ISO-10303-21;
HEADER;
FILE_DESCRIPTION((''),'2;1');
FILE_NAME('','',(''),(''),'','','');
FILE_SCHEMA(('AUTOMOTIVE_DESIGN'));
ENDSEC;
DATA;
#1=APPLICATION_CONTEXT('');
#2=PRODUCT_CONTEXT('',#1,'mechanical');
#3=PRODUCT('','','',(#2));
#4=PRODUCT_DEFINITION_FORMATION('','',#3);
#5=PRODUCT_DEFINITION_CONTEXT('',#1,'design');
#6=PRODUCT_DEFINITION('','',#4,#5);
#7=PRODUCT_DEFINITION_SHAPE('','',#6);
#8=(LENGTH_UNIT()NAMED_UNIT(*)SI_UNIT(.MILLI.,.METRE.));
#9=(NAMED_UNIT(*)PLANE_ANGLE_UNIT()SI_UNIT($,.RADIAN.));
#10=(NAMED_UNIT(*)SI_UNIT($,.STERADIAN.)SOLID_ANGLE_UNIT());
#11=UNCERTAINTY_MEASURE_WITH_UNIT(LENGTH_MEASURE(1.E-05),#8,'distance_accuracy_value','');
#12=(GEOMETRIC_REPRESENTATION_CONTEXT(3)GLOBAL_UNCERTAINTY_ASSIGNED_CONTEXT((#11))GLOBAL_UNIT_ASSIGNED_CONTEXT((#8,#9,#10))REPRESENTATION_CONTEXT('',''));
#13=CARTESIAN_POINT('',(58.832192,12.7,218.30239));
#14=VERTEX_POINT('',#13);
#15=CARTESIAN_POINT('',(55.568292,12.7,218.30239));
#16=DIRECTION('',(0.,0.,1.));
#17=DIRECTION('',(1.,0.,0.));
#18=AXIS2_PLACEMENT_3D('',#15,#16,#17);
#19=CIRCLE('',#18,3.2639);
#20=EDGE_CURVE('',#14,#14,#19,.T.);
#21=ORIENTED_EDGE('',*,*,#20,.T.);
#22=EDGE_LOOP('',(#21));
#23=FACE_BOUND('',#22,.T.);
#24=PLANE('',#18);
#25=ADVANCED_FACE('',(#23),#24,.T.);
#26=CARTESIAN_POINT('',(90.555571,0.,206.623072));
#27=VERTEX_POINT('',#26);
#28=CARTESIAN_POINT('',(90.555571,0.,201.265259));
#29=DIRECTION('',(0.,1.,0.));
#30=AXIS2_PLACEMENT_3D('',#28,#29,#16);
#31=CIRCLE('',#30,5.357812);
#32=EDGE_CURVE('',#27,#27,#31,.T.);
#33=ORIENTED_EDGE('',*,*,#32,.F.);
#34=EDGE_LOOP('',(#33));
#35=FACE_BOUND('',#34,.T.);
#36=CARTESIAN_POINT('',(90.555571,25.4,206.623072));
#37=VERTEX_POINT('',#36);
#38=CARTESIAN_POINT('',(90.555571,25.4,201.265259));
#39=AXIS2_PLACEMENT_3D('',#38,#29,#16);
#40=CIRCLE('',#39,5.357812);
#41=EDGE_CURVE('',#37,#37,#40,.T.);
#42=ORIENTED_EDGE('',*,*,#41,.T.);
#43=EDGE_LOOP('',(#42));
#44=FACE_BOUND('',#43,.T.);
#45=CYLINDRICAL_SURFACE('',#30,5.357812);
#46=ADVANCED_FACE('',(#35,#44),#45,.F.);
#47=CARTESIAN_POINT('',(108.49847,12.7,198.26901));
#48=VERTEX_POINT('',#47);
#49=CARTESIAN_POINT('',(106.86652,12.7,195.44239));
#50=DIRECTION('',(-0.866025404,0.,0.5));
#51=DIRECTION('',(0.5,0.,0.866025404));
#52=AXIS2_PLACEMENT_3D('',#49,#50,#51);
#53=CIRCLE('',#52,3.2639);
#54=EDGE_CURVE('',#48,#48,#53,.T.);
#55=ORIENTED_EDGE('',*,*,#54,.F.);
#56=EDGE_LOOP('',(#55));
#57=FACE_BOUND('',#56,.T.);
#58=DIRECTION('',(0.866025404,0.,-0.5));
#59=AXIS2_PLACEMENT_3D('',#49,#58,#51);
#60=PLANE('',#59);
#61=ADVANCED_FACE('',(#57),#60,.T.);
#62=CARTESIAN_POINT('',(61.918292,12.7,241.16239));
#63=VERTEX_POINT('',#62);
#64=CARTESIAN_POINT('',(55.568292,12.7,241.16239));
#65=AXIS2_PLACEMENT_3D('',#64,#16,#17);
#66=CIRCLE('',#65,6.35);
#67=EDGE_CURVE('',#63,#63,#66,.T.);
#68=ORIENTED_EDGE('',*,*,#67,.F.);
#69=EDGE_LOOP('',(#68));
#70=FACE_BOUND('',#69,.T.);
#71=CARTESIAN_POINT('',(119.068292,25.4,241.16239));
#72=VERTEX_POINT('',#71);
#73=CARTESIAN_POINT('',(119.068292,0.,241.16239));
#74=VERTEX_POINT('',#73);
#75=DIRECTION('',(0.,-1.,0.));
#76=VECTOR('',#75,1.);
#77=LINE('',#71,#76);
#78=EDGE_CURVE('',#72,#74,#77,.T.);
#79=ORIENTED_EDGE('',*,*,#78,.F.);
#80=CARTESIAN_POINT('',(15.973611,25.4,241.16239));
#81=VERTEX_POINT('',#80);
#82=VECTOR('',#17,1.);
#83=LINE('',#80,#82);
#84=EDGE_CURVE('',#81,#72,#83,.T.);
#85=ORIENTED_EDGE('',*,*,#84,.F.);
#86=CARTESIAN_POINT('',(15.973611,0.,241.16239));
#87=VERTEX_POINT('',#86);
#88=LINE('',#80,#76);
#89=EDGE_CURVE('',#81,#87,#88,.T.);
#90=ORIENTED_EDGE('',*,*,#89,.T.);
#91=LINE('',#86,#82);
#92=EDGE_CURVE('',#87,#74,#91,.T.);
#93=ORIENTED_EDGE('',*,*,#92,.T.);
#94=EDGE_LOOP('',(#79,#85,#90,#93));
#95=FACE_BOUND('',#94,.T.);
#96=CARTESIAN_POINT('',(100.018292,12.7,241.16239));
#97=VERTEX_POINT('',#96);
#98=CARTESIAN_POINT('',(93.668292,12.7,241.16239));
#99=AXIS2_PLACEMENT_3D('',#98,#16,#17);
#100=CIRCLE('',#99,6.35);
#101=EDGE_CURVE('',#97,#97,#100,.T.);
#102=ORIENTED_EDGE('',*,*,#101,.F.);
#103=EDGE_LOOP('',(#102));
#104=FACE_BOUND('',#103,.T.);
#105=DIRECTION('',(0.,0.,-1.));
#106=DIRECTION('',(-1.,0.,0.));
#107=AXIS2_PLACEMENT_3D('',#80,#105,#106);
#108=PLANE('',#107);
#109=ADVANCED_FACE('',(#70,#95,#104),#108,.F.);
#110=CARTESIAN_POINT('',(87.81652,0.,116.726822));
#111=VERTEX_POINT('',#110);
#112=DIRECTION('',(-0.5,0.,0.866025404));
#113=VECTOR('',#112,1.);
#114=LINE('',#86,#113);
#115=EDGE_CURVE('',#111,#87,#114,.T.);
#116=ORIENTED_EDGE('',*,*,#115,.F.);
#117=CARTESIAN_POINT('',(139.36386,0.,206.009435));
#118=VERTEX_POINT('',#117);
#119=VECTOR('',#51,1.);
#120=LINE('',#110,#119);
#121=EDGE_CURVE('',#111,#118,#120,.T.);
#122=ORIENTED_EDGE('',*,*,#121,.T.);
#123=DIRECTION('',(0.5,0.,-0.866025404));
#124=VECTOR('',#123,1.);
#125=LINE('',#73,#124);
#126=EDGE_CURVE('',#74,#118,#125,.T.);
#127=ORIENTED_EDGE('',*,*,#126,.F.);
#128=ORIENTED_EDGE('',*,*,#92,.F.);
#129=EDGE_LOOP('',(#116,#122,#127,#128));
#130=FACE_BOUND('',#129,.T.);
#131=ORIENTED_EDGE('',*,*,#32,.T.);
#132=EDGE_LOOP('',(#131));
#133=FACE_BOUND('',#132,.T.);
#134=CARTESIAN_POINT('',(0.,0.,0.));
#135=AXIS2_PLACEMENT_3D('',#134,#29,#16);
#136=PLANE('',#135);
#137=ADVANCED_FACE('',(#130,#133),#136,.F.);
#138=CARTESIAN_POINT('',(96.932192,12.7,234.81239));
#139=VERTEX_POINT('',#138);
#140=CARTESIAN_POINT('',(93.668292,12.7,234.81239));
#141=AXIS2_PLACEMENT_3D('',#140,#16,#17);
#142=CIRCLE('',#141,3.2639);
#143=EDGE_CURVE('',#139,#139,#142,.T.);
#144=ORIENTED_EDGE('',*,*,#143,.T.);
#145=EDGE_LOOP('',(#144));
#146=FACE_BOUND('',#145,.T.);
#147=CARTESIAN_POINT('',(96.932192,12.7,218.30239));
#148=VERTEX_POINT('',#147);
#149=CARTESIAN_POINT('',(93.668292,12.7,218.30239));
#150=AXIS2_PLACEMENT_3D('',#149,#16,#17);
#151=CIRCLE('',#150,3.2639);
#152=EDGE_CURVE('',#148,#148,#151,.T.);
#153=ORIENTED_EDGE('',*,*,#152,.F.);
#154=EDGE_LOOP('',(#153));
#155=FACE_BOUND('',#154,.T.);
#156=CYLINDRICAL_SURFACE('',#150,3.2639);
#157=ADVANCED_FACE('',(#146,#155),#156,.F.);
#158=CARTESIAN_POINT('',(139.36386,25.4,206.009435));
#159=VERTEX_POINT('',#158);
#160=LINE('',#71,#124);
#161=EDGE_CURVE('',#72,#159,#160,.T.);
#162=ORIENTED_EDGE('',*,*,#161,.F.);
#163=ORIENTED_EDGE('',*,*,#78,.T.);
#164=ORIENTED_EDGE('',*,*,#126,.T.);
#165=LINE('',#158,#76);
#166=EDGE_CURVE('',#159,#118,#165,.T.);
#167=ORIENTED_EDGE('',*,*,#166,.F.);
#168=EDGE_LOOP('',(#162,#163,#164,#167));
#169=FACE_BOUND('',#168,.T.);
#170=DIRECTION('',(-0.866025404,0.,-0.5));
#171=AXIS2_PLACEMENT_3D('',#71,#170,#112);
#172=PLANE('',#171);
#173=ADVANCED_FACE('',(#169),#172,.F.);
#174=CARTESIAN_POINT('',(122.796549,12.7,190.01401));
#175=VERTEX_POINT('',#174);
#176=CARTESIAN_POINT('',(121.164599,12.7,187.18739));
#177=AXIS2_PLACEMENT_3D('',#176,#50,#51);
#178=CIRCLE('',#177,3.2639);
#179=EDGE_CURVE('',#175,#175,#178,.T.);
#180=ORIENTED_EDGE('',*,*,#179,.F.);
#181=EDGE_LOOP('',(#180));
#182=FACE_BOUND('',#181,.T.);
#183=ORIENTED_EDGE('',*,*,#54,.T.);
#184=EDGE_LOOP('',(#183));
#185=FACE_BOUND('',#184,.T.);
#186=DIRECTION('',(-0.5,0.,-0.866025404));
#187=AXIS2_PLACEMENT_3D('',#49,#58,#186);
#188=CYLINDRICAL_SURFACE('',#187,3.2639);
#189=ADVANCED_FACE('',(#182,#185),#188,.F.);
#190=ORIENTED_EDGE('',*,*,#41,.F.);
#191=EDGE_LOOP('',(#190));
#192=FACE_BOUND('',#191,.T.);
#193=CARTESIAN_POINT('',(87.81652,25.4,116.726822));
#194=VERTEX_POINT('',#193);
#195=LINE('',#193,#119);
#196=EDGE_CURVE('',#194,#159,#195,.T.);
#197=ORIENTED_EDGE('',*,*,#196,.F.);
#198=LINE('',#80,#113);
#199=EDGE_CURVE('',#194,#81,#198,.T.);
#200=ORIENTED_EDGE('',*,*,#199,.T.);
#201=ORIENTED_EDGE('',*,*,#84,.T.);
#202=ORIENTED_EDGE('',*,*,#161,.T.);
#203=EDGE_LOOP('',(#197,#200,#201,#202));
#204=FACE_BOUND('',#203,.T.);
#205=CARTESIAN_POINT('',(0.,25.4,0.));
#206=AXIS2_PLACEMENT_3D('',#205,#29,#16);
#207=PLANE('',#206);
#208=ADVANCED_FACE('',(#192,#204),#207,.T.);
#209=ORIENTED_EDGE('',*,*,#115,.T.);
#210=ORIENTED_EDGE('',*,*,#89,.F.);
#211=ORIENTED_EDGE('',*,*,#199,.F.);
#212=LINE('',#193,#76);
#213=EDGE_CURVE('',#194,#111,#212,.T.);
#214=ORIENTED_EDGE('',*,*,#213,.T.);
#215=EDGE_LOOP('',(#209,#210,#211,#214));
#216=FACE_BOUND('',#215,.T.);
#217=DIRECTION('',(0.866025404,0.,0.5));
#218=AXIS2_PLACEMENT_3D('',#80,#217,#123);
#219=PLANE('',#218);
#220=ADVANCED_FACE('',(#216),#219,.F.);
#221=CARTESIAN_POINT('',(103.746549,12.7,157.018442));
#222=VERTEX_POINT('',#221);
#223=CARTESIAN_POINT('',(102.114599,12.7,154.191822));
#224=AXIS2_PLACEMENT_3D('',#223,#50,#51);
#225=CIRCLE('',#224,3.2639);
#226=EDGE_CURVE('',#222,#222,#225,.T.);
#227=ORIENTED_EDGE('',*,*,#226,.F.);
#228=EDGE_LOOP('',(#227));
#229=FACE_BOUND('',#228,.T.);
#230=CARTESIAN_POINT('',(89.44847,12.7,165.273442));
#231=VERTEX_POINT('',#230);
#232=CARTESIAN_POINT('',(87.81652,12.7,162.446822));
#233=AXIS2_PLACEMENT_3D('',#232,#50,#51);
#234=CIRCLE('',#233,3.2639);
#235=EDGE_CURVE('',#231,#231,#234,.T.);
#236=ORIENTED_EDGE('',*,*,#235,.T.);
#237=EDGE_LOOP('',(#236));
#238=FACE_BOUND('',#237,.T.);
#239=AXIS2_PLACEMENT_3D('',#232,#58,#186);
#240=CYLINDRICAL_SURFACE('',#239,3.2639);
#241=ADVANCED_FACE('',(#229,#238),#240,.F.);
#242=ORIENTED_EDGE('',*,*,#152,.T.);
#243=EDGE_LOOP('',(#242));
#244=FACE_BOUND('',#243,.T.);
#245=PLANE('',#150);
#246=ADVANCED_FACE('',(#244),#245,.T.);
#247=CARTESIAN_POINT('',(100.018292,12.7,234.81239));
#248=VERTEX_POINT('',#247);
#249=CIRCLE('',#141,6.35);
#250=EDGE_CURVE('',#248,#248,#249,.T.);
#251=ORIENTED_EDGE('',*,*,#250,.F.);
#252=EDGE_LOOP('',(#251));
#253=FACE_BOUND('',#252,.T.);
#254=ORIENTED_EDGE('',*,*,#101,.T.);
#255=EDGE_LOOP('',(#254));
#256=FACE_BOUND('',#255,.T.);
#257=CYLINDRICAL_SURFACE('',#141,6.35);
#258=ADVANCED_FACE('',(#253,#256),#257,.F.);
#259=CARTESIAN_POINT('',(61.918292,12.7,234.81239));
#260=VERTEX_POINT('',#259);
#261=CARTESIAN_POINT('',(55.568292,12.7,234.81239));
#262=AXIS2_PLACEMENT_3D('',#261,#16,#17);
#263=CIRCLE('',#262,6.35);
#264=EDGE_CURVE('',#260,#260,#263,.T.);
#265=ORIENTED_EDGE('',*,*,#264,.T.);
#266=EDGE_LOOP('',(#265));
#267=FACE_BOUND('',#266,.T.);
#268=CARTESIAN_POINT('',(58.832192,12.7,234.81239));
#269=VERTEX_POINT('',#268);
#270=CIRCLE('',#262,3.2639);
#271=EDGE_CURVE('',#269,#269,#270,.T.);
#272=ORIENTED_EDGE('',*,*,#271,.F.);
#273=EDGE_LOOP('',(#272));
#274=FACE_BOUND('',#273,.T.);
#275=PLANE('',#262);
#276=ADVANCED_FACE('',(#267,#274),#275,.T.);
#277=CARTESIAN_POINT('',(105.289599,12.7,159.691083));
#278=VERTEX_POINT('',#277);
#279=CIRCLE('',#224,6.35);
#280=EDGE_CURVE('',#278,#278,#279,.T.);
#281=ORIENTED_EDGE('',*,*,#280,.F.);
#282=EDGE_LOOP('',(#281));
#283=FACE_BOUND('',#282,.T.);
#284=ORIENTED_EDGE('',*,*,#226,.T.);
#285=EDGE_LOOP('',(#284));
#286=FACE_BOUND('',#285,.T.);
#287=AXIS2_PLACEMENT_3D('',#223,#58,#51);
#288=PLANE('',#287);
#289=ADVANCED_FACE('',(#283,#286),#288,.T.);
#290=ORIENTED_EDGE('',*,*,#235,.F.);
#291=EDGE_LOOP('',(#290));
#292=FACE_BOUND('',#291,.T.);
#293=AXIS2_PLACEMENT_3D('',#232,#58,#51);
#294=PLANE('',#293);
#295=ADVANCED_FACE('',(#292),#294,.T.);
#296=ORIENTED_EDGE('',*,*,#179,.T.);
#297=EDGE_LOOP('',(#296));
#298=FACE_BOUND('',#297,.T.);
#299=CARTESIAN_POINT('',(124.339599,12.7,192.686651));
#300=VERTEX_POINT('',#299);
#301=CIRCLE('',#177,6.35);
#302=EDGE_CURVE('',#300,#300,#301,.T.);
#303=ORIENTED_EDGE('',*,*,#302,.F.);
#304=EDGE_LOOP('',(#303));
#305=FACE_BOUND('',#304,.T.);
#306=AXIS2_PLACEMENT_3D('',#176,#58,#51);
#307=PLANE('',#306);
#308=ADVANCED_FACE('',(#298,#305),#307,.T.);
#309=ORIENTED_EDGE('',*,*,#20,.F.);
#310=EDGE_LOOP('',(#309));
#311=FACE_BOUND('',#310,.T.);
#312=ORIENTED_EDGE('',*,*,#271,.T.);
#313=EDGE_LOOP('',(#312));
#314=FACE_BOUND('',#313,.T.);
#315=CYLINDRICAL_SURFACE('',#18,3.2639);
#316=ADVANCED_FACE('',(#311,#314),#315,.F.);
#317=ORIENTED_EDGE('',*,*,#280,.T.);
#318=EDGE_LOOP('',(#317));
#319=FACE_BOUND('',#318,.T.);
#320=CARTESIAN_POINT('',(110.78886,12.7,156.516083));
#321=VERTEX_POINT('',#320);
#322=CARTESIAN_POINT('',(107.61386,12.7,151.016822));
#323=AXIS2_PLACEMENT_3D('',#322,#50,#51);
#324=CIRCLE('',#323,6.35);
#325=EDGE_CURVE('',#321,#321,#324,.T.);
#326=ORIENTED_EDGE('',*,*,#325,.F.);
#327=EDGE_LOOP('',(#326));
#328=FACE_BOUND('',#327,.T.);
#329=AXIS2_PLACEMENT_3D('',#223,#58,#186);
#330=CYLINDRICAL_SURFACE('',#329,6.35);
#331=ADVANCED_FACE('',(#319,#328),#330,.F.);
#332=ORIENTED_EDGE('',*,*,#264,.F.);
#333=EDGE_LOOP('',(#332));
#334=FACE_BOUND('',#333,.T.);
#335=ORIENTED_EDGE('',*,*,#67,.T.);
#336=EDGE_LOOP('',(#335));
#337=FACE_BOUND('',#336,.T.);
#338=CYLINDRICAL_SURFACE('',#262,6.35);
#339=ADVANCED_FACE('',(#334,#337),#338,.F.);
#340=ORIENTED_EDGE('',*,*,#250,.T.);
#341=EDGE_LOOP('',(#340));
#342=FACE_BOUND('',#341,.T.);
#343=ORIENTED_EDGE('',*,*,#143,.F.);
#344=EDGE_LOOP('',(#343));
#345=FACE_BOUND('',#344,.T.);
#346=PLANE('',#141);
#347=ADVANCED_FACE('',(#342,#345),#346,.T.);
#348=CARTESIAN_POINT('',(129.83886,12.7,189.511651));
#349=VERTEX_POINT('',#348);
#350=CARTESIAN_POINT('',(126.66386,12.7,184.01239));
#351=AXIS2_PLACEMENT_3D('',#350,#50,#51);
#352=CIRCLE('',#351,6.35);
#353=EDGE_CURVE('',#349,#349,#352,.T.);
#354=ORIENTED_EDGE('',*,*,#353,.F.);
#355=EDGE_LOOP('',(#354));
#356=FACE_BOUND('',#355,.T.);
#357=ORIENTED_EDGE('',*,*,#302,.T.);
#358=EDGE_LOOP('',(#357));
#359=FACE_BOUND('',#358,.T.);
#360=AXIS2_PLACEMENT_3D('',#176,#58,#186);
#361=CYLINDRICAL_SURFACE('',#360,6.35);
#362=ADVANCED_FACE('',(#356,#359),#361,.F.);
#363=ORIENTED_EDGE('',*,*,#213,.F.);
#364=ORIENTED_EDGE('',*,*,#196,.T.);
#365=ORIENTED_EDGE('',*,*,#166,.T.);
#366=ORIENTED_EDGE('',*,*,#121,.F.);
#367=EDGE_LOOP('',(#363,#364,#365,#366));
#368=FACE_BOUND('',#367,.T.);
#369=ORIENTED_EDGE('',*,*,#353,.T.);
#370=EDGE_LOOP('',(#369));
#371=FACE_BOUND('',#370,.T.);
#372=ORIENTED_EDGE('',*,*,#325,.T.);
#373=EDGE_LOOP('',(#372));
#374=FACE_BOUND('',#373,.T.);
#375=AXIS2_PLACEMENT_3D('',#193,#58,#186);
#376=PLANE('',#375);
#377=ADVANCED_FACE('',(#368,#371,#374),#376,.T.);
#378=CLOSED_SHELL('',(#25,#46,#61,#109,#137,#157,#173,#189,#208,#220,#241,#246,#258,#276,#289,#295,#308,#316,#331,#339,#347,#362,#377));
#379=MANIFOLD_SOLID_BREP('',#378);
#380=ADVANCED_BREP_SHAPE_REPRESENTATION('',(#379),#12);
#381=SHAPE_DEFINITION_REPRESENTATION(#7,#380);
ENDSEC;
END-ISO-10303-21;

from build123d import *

# Parameters (mm, degrees)
BOSS_EXTRUDE1_DEPTH = 25.4
SKETCH2_R           = 6.35
CUT_EXTRUDE1_DEPTH  = 6.35
SKETCH3_R           = 3.2639
CUT_EXTRUDE2_DEPTH  = 16.51
SKETCH4_R           = 3.2639
CUT_EXTRUDE3_DEPTH  = 16.51
SKETCH5_R           = 5.3578125
CUT_EXTRUDE4_DEPTH  = 280.690442894


with BuildPart() as part:
    # Sketch1 → Boss-Extrude1 (new body)
    with BuildSketch(Plane(origin=(0, 0, 0), x_dir=(1, 0, 0), z_dir=(0, 1, 0))):
        Polygon((119.068292428, -241.162389864), (129.21607637, -223.585912492), (51.895065274, -178.944605922), (15.973610966, -241.162389864), align=None)
    boss_extrude1 = extrude(amount=BOSS_EXTRUDE1_DEPTH)

    # Sketch2 → Cut-Extrude1 (cut)
    with BuildSketch(Plane.XY.offset(241.162389864)):
        with Locations((55.568292428, 12.7)):
            Circle(SKETCH2_R)
        with Locations((93.668292428, 12.7)):
            Circle(SKETCH2_R)
    cut_extrude1 = extrude(amount=-CUT_EXTRUDE1_DEPTH, mode=Mode.SUBTRACT)

    # Sketch3 → Cut-Extrude2 (cut)
    with BuildSketch(Plane.XY.offset(234.812389864)):
        with Locations((55.568292428, 12.7)):
            Circle(SKETCH3_R)
    cut_extrude2 = extrude(amount=-CUT_EXTRUDE2_DEPTH, mode=Mode.SUBTRACT)

    # Sketch4 → Cut-Extrude3 (cut)
    with BuildSketch(Plane.XY.offset(234.812389864)):
        with Locations((93.668292428, 12.7)):
            Circle(SKETCH4_R)
    cut_extrude3 = extrude(amount=-CUT_EXTRUDE3_DEPTH, mode=Mode.SUBTRACT)

    # Mirror1: Boss-Extrude1, Cut-Extrude1, Cut-Extrude2, Cut-Extrude3 across plane
    add(boss_extrude1.mirror(Plane(origin=(51.895065274, 25.4, 178.944605922), x_dir=(0.8660254037844389, 0, 0.4999999999999996), z_dir=(-0.49999999999999983, 0, 0.8660254037844388))))
    add(cut_extrude1.mirror(Plane(origin=(51.895065274, 25.4, 178.944605922), x_dir=(0.8660254037844389, 0, 0.4999999999999996), z_dir=(-0.49999999999999983, 0, 0.8660254037844388))), mode=Mode.SUBTRACT)
    add(cut_extrude2.mirror(Plane(origin=(51.895065274, 25.4, 178.944605922), x_dir=(0.8660254037844389, 0, 0.4999999999999996), z_dir=(-0.49999999999999983, 0, 0.8660254037844388))), mode=Mode.SUBTRACT)
    add(cut_extrude3.mirror(Plane(origin=(51.895065274, 25.4, 178.944605922), x_dir=(0.8660254037844389, 0, 0.4999999999999996), z_dir=(-0.49999999999999983, 0, 0.8660254037844388))), mode=Mode.SUBTRACT)

    # Sketch5 → Cut-Extrude4 (cut, through all)
    with BuildSketch(Plane(origin=(0, 25.4, 0), x_dir=(1, 0, 0), z_dir=(0, 1, 0))):
        with Locations(Location((90.555570822, -201.265259207, 0), (0, 0, 270))):
            Circle(SKETCH5_R)
    extrude(amount=-CUT_EXTRUDE4_DEPTH, mode=Mode.SUBTRACT)


solid = part.part
